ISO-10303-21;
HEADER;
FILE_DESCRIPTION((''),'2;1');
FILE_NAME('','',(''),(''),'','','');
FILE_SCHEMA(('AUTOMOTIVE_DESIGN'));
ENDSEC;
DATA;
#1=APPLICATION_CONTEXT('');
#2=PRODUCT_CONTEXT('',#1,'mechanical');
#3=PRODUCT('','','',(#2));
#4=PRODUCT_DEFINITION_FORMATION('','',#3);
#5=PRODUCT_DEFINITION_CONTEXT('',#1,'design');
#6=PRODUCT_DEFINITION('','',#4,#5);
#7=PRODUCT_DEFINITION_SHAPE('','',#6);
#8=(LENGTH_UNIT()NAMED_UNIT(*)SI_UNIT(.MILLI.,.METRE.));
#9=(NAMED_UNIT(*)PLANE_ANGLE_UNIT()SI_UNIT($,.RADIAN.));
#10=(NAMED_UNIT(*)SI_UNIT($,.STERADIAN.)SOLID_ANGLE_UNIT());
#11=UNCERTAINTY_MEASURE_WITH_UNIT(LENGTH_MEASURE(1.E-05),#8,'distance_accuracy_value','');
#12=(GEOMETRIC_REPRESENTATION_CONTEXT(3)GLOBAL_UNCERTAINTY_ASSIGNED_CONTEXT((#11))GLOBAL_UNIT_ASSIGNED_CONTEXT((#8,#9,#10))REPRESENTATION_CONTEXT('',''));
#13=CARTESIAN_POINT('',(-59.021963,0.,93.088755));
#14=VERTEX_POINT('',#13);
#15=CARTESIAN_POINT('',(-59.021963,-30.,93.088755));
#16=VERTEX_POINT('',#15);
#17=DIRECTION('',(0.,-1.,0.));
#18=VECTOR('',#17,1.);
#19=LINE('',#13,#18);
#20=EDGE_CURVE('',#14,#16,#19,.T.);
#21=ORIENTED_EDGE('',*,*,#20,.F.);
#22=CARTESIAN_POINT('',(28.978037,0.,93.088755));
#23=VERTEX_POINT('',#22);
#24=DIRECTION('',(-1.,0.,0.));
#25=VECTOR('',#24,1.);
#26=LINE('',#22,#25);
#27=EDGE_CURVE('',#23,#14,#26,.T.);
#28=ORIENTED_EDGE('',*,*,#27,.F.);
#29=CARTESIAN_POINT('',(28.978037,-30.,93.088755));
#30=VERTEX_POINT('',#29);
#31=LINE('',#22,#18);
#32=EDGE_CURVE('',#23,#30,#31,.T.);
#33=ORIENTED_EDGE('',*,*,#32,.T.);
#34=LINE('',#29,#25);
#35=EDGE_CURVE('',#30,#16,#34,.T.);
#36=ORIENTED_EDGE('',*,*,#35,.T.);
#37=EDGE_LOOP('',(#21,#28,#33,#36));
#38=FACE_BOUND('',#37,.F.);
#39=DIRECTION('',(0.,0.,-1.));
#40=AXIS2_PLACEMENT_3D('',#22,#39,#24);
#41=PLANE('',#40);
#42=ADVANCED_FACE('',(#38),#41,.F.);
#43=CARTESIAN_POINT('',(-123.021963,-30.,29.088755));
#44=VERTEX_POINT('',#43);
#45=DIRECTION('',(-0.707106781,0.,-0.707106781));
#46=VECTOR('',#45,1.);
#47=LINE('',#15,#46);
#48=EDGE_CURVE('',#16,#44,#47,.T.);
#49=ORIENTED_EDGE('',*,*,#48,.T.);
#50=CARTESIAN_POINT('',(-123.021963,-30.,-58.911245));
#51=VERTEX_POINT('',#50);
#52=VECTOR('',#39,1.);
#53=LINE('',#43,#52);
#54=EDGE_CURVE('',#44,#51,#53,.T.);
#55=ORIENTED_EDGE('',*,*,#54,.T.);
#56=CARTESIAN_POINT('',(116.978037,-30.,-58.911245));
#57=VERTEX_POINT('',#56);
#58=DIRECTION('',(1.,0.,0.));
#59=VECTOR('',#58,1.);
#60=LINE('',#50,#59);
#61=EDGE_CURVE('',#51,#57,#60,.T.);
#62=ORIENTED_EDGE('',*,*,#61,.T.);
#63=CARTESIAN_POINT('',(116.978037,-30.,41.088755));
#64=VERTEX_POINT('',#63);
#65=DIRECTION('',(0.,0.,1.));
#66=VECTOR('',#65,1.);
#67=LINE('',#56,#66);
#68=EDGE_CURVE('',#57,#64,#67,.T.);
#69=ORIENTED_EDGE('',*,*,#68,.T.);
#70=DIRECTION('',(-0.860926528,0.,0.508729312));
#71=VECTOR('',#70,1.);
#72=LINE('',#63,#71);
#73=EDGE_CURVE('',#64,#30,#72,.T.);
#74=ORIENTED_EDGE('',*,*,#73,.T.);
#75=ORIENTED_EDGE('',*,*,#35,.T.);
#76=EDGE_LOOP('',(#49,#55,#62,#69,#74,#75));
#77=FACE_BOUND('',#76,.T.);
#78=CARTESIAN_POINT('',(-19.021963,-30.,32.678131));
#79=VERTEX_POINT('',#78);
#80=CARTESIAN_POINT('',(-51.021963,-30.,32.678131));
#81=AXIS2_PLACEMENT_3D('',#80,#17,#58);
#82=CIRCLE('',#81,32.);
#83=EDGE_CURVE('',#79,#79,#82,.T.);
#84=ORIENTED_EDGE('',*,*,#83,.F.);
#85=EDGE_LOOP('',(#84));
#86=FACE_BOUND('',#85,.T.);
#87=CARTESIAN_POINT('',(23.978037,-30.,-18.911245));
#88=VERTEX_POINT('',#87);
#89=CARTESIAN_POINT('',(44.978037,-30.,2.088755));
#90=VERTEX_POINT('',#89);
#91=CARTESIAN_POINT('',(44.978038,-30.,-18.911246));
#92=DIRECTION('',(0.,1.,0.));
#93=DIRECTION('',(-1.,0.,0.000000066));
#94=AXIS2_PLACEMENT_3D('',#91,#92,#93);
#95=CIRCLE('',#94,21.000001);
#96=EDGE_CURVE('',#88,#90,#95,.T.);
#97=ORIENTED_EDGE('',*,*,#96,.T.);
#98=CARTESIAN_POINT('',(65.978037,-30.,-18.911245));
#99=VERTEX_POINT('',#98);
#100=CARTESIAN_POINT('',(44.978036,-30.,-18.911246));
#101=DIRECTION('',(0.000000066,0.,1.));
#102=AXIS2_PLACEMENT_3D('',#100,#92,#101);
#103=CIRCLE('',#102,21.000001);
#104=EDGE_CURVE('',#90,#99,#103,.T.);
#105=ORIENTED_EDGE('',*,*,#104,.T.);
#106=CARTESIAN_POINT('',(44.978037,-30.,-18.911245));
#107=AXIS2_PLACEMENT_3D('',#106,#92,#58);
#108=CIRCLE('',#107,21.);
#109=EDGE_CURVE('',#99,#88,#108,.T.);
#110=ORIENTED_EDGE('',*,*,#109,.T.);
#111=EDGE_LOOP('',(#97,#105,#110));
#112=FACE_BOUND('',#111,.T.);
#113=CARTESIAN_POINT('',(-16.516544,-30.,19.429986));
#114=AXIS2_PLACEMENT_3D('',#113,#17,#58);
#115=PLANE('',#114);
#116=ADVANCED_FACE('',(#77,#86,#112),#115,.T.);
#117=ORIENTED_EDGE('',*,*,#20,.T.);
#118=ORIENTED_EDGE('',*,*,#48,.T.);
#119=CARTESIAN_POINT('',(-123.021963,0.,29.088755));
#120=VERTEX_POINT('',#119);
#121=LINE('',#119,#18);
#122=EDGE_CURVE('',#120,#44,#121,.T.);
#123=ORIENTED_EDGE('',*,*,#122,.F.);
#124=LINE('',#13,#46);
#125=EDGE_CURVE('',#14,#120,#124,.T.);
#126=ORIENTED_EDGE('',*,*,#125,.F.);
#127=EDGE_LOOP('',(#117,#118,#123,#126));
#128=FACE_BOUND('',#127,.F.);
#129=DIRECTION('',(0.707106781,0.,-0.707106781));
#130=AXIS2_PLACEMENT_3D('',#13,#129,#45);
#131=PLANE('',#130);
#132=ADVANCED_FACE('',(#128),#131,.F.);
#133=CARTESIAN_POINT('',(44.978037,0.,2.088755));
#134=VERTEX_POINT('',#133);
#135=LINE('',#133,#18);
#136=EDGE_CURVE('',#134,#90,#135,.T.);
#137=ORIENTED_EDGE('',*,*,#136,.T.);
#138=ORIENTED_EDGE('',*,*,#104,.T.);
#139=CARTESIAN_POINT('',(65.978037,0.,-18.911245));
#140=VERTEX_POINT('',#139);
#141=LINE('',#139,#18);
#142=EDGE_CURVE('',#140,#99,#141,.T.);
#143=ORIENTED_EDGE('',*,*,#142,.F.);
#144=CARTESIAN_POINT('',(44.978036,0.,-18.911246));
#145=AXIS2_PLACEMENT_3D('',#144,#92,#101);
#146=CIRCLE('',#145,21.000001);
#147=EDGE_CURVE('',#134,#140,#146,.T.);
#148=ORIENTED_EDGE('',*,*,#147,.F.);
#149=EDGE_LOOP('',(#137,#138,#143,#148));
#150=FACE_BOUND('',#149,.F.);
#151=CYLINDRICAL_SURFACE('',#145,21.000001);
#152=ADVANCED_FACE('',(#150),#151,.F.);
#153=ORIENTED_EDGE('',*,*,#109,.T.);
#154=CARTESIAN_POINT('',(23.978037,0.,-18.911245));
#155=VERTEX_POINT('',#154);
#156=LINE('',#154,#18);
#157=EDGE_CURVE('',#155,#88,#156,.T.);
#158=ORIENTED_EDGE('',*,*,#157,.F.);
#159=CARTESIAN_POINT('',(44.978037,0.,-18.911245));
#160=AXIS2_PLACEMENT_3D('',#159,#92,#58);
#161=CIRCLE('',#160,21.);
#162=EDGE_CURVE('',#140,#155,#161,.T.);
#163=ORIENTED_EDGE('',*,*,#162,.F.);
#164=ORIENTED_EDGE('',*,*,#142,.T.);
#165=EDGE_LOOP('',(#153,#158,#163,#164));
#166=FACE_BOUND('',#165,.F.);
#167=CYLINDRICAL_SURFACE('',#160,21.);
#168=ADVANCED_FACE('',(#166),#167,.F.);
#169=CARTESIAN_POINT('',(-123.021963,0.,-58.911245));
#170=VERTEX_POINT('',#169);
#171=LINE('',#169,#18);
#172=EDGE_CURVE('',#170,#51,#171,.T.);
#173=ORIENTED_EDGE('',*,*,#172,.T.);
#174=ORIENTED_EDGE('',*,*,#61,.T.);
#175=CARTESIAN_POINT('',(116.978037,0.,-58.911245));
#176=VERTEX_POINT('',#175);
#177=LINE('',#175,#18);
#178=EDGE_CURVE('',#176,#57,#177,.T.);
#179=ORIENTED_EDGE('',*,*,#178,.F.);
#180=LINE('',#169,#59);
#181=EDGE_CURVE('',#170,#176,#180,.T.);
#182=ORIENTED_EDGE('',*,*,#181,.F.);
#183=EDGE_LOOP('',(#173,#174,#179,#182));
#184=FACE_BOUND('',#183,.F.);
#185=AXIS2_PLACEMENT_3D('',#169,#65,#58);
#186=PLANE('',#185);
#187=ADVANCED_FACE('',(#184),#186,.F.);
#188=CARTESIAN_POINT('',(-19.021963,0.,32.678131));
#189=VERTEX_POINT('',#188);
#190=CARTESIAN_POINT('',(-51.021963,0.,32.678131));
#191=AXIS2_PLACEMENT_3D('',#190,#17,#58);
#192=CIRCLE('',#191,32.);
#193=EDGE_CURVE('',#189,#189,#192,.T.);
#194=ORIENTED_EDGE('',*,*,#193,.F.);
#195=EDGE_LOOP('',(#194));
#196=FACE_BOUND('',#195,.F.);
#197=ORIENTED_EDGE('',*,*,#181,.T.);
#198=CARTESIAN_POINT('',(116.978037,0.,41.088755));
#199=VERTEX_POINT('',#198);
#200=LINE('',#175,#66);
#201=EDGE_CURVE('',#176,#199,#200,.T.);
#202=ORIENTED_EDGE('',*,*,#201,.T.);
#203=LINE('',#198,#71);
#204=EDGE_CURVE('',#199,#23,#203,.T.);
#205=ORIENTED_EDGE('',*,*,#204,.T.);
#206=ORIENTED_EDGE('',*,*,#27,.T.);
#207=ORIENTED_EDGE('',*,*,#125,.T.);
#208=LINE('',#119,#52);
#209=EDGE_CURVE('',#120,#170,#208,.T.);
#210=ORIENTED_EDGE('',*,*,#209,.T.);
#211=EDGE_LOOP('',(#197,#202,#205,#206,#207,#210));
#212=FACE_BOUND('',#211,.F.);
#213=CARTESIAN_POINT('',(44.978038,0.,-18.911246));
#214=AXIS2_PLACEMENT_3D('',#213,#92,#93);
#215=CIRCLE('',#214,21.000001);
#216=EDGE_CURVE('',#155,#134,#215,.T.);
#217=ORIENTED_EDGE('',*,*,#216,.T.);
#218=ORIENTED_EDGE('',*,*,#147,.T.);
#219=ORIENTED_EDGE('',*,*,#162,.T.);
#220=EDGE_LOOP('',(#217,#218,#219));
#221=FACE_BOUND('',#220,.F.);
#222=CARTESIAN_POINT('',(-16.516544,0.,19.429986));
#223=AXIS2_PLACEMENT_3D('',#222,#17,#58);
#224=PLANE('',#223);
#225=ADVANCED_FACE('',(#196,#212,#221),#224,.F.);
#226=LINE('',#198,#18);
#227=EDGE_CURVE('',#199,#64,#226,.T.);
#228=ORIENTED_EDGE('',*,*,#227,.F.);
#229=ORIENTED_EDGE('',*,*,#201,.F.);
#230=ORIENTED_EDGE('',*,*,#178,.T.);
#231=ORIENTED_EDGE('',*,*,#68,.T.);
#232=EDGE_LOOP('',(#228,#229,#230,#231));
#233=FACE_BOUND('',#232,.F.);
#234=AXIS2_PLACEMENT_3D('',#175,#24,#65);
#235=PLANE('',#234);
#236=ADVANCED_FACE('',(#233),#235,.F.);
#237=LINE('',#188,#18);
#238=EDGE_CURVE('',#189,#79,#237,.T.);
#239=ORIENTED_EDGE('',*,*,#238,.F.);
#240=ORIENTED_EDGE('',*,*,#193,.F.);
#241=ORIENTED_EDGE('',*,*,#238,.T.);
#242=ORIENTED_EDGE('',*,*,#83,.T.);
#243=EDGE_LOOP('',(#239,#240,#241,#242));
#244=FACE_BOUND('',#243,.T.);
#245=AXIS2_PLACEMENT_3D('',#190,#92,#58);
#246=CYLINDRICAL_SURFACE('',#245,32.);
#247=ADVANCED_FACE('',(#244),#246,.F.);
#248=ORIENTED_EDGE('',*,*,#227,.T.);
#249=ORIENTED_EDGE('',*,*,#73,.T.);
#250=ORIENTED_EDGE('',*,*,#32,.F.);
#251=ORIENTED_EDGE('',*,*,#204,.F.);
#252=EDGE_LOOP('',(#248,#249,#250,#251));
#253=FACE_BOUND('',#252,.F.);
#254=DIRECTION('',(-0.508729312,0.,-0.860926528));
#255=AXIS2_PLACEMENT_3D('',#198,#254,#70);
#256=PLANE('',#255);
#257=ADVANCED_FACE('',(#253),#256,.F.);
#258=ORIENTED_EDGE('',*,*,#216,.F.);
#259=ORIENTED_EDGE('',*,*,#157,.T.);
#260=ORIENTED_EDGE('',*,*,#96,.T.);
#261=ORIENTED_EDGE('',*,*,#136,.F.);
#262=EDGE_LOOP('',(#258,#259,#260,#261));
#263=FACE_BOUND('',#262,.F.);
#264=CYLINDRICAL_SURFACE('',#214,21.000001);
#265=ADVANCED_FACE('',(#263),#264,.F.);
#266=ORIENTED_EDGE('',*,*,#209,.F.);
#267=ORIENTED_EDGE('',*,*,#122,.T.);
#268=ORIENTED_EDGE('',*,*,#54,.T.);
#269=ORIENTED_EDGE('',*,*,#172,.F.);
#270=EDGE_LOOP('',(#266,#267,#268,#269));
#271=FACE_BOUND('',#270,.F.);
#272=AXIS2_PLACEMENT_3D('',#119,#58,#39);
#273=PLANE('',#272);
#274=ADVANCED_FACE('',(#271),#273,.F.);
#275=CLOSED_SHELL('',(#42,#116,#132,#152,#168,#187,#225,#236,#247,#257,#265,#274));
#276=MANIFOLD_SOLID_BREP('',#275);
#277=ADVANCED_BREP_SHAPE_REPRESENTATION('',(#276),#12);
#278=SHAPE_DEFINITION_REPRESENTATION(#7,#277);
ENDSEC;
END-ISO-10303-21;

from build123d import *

# Parameters (mm, degrees)
F0_R     = 32
F1_DEPTH = 30


with BuildPart() as f1:
    # F0 (on Front) → F1 (new body)
    with BuildSketch(Plane.XZ):
        with BuildLine():
            Line((-123.021963, 29.088755), (-123.021963, -58.911245))
            Line((-123.021963, -58.911245), (-14.377067, -58.911245))
            Line((-14.377067, -58.911245), (-14.377067, -18.911245))
            Line((-14.377067, -18.911245), (23.978037, -18.911245))
            ThreePointArc((23.978037, -18.911245), (30.128795, -4.062003), (44.978037, 2.088755))
            Line((44.978037, 2.088755), (44.978037, 32.678131))
            Line((44.978037, 32.678131), (116.978037, 32.678131))
            Line((116.978037, 32.678131), (116.978037, 41.088755))
            Line((116.978037, 41.088755), (28.978037, 93.088755))
            Line((28.978037, 93.088755), (-59.021963, 93.088755))
            Line((-59.021963, 93.088755), (-123.021963, 29.088755))
        make_face()
        with Locations((-51.021963, 32.678131)):
            Circle(F0_R, mode=Mode.SUBTRACT)
        with BuildLine():
            Line((-14.377067, -18.911245), (-14.377067, -58.911245))
            Line((-14.377067, -58.911245), (116.978037, -58.911245))
            Line((116.978037, -58.911245), (116.978037, 32.678131))
            Line((116.978037, 32.678131), (44.978037, 32.678131))
            Line((44.978037, 32.678131), (44.978037, 2.088755))
            ThreePointArc((44.978037, 2.088755), (59.827279, -4.062003), (65.978037, -18.911245))
            ThreePointArc((65.978037, -18.911245), (44.978037, -39.911245), (23.978037, -18.911245))
            Line((23.978037, -18.911245), (-14.377067, -18.911245))
        make_face()
    extrude(amount=F1_DEPTH)


solid = f1.part
